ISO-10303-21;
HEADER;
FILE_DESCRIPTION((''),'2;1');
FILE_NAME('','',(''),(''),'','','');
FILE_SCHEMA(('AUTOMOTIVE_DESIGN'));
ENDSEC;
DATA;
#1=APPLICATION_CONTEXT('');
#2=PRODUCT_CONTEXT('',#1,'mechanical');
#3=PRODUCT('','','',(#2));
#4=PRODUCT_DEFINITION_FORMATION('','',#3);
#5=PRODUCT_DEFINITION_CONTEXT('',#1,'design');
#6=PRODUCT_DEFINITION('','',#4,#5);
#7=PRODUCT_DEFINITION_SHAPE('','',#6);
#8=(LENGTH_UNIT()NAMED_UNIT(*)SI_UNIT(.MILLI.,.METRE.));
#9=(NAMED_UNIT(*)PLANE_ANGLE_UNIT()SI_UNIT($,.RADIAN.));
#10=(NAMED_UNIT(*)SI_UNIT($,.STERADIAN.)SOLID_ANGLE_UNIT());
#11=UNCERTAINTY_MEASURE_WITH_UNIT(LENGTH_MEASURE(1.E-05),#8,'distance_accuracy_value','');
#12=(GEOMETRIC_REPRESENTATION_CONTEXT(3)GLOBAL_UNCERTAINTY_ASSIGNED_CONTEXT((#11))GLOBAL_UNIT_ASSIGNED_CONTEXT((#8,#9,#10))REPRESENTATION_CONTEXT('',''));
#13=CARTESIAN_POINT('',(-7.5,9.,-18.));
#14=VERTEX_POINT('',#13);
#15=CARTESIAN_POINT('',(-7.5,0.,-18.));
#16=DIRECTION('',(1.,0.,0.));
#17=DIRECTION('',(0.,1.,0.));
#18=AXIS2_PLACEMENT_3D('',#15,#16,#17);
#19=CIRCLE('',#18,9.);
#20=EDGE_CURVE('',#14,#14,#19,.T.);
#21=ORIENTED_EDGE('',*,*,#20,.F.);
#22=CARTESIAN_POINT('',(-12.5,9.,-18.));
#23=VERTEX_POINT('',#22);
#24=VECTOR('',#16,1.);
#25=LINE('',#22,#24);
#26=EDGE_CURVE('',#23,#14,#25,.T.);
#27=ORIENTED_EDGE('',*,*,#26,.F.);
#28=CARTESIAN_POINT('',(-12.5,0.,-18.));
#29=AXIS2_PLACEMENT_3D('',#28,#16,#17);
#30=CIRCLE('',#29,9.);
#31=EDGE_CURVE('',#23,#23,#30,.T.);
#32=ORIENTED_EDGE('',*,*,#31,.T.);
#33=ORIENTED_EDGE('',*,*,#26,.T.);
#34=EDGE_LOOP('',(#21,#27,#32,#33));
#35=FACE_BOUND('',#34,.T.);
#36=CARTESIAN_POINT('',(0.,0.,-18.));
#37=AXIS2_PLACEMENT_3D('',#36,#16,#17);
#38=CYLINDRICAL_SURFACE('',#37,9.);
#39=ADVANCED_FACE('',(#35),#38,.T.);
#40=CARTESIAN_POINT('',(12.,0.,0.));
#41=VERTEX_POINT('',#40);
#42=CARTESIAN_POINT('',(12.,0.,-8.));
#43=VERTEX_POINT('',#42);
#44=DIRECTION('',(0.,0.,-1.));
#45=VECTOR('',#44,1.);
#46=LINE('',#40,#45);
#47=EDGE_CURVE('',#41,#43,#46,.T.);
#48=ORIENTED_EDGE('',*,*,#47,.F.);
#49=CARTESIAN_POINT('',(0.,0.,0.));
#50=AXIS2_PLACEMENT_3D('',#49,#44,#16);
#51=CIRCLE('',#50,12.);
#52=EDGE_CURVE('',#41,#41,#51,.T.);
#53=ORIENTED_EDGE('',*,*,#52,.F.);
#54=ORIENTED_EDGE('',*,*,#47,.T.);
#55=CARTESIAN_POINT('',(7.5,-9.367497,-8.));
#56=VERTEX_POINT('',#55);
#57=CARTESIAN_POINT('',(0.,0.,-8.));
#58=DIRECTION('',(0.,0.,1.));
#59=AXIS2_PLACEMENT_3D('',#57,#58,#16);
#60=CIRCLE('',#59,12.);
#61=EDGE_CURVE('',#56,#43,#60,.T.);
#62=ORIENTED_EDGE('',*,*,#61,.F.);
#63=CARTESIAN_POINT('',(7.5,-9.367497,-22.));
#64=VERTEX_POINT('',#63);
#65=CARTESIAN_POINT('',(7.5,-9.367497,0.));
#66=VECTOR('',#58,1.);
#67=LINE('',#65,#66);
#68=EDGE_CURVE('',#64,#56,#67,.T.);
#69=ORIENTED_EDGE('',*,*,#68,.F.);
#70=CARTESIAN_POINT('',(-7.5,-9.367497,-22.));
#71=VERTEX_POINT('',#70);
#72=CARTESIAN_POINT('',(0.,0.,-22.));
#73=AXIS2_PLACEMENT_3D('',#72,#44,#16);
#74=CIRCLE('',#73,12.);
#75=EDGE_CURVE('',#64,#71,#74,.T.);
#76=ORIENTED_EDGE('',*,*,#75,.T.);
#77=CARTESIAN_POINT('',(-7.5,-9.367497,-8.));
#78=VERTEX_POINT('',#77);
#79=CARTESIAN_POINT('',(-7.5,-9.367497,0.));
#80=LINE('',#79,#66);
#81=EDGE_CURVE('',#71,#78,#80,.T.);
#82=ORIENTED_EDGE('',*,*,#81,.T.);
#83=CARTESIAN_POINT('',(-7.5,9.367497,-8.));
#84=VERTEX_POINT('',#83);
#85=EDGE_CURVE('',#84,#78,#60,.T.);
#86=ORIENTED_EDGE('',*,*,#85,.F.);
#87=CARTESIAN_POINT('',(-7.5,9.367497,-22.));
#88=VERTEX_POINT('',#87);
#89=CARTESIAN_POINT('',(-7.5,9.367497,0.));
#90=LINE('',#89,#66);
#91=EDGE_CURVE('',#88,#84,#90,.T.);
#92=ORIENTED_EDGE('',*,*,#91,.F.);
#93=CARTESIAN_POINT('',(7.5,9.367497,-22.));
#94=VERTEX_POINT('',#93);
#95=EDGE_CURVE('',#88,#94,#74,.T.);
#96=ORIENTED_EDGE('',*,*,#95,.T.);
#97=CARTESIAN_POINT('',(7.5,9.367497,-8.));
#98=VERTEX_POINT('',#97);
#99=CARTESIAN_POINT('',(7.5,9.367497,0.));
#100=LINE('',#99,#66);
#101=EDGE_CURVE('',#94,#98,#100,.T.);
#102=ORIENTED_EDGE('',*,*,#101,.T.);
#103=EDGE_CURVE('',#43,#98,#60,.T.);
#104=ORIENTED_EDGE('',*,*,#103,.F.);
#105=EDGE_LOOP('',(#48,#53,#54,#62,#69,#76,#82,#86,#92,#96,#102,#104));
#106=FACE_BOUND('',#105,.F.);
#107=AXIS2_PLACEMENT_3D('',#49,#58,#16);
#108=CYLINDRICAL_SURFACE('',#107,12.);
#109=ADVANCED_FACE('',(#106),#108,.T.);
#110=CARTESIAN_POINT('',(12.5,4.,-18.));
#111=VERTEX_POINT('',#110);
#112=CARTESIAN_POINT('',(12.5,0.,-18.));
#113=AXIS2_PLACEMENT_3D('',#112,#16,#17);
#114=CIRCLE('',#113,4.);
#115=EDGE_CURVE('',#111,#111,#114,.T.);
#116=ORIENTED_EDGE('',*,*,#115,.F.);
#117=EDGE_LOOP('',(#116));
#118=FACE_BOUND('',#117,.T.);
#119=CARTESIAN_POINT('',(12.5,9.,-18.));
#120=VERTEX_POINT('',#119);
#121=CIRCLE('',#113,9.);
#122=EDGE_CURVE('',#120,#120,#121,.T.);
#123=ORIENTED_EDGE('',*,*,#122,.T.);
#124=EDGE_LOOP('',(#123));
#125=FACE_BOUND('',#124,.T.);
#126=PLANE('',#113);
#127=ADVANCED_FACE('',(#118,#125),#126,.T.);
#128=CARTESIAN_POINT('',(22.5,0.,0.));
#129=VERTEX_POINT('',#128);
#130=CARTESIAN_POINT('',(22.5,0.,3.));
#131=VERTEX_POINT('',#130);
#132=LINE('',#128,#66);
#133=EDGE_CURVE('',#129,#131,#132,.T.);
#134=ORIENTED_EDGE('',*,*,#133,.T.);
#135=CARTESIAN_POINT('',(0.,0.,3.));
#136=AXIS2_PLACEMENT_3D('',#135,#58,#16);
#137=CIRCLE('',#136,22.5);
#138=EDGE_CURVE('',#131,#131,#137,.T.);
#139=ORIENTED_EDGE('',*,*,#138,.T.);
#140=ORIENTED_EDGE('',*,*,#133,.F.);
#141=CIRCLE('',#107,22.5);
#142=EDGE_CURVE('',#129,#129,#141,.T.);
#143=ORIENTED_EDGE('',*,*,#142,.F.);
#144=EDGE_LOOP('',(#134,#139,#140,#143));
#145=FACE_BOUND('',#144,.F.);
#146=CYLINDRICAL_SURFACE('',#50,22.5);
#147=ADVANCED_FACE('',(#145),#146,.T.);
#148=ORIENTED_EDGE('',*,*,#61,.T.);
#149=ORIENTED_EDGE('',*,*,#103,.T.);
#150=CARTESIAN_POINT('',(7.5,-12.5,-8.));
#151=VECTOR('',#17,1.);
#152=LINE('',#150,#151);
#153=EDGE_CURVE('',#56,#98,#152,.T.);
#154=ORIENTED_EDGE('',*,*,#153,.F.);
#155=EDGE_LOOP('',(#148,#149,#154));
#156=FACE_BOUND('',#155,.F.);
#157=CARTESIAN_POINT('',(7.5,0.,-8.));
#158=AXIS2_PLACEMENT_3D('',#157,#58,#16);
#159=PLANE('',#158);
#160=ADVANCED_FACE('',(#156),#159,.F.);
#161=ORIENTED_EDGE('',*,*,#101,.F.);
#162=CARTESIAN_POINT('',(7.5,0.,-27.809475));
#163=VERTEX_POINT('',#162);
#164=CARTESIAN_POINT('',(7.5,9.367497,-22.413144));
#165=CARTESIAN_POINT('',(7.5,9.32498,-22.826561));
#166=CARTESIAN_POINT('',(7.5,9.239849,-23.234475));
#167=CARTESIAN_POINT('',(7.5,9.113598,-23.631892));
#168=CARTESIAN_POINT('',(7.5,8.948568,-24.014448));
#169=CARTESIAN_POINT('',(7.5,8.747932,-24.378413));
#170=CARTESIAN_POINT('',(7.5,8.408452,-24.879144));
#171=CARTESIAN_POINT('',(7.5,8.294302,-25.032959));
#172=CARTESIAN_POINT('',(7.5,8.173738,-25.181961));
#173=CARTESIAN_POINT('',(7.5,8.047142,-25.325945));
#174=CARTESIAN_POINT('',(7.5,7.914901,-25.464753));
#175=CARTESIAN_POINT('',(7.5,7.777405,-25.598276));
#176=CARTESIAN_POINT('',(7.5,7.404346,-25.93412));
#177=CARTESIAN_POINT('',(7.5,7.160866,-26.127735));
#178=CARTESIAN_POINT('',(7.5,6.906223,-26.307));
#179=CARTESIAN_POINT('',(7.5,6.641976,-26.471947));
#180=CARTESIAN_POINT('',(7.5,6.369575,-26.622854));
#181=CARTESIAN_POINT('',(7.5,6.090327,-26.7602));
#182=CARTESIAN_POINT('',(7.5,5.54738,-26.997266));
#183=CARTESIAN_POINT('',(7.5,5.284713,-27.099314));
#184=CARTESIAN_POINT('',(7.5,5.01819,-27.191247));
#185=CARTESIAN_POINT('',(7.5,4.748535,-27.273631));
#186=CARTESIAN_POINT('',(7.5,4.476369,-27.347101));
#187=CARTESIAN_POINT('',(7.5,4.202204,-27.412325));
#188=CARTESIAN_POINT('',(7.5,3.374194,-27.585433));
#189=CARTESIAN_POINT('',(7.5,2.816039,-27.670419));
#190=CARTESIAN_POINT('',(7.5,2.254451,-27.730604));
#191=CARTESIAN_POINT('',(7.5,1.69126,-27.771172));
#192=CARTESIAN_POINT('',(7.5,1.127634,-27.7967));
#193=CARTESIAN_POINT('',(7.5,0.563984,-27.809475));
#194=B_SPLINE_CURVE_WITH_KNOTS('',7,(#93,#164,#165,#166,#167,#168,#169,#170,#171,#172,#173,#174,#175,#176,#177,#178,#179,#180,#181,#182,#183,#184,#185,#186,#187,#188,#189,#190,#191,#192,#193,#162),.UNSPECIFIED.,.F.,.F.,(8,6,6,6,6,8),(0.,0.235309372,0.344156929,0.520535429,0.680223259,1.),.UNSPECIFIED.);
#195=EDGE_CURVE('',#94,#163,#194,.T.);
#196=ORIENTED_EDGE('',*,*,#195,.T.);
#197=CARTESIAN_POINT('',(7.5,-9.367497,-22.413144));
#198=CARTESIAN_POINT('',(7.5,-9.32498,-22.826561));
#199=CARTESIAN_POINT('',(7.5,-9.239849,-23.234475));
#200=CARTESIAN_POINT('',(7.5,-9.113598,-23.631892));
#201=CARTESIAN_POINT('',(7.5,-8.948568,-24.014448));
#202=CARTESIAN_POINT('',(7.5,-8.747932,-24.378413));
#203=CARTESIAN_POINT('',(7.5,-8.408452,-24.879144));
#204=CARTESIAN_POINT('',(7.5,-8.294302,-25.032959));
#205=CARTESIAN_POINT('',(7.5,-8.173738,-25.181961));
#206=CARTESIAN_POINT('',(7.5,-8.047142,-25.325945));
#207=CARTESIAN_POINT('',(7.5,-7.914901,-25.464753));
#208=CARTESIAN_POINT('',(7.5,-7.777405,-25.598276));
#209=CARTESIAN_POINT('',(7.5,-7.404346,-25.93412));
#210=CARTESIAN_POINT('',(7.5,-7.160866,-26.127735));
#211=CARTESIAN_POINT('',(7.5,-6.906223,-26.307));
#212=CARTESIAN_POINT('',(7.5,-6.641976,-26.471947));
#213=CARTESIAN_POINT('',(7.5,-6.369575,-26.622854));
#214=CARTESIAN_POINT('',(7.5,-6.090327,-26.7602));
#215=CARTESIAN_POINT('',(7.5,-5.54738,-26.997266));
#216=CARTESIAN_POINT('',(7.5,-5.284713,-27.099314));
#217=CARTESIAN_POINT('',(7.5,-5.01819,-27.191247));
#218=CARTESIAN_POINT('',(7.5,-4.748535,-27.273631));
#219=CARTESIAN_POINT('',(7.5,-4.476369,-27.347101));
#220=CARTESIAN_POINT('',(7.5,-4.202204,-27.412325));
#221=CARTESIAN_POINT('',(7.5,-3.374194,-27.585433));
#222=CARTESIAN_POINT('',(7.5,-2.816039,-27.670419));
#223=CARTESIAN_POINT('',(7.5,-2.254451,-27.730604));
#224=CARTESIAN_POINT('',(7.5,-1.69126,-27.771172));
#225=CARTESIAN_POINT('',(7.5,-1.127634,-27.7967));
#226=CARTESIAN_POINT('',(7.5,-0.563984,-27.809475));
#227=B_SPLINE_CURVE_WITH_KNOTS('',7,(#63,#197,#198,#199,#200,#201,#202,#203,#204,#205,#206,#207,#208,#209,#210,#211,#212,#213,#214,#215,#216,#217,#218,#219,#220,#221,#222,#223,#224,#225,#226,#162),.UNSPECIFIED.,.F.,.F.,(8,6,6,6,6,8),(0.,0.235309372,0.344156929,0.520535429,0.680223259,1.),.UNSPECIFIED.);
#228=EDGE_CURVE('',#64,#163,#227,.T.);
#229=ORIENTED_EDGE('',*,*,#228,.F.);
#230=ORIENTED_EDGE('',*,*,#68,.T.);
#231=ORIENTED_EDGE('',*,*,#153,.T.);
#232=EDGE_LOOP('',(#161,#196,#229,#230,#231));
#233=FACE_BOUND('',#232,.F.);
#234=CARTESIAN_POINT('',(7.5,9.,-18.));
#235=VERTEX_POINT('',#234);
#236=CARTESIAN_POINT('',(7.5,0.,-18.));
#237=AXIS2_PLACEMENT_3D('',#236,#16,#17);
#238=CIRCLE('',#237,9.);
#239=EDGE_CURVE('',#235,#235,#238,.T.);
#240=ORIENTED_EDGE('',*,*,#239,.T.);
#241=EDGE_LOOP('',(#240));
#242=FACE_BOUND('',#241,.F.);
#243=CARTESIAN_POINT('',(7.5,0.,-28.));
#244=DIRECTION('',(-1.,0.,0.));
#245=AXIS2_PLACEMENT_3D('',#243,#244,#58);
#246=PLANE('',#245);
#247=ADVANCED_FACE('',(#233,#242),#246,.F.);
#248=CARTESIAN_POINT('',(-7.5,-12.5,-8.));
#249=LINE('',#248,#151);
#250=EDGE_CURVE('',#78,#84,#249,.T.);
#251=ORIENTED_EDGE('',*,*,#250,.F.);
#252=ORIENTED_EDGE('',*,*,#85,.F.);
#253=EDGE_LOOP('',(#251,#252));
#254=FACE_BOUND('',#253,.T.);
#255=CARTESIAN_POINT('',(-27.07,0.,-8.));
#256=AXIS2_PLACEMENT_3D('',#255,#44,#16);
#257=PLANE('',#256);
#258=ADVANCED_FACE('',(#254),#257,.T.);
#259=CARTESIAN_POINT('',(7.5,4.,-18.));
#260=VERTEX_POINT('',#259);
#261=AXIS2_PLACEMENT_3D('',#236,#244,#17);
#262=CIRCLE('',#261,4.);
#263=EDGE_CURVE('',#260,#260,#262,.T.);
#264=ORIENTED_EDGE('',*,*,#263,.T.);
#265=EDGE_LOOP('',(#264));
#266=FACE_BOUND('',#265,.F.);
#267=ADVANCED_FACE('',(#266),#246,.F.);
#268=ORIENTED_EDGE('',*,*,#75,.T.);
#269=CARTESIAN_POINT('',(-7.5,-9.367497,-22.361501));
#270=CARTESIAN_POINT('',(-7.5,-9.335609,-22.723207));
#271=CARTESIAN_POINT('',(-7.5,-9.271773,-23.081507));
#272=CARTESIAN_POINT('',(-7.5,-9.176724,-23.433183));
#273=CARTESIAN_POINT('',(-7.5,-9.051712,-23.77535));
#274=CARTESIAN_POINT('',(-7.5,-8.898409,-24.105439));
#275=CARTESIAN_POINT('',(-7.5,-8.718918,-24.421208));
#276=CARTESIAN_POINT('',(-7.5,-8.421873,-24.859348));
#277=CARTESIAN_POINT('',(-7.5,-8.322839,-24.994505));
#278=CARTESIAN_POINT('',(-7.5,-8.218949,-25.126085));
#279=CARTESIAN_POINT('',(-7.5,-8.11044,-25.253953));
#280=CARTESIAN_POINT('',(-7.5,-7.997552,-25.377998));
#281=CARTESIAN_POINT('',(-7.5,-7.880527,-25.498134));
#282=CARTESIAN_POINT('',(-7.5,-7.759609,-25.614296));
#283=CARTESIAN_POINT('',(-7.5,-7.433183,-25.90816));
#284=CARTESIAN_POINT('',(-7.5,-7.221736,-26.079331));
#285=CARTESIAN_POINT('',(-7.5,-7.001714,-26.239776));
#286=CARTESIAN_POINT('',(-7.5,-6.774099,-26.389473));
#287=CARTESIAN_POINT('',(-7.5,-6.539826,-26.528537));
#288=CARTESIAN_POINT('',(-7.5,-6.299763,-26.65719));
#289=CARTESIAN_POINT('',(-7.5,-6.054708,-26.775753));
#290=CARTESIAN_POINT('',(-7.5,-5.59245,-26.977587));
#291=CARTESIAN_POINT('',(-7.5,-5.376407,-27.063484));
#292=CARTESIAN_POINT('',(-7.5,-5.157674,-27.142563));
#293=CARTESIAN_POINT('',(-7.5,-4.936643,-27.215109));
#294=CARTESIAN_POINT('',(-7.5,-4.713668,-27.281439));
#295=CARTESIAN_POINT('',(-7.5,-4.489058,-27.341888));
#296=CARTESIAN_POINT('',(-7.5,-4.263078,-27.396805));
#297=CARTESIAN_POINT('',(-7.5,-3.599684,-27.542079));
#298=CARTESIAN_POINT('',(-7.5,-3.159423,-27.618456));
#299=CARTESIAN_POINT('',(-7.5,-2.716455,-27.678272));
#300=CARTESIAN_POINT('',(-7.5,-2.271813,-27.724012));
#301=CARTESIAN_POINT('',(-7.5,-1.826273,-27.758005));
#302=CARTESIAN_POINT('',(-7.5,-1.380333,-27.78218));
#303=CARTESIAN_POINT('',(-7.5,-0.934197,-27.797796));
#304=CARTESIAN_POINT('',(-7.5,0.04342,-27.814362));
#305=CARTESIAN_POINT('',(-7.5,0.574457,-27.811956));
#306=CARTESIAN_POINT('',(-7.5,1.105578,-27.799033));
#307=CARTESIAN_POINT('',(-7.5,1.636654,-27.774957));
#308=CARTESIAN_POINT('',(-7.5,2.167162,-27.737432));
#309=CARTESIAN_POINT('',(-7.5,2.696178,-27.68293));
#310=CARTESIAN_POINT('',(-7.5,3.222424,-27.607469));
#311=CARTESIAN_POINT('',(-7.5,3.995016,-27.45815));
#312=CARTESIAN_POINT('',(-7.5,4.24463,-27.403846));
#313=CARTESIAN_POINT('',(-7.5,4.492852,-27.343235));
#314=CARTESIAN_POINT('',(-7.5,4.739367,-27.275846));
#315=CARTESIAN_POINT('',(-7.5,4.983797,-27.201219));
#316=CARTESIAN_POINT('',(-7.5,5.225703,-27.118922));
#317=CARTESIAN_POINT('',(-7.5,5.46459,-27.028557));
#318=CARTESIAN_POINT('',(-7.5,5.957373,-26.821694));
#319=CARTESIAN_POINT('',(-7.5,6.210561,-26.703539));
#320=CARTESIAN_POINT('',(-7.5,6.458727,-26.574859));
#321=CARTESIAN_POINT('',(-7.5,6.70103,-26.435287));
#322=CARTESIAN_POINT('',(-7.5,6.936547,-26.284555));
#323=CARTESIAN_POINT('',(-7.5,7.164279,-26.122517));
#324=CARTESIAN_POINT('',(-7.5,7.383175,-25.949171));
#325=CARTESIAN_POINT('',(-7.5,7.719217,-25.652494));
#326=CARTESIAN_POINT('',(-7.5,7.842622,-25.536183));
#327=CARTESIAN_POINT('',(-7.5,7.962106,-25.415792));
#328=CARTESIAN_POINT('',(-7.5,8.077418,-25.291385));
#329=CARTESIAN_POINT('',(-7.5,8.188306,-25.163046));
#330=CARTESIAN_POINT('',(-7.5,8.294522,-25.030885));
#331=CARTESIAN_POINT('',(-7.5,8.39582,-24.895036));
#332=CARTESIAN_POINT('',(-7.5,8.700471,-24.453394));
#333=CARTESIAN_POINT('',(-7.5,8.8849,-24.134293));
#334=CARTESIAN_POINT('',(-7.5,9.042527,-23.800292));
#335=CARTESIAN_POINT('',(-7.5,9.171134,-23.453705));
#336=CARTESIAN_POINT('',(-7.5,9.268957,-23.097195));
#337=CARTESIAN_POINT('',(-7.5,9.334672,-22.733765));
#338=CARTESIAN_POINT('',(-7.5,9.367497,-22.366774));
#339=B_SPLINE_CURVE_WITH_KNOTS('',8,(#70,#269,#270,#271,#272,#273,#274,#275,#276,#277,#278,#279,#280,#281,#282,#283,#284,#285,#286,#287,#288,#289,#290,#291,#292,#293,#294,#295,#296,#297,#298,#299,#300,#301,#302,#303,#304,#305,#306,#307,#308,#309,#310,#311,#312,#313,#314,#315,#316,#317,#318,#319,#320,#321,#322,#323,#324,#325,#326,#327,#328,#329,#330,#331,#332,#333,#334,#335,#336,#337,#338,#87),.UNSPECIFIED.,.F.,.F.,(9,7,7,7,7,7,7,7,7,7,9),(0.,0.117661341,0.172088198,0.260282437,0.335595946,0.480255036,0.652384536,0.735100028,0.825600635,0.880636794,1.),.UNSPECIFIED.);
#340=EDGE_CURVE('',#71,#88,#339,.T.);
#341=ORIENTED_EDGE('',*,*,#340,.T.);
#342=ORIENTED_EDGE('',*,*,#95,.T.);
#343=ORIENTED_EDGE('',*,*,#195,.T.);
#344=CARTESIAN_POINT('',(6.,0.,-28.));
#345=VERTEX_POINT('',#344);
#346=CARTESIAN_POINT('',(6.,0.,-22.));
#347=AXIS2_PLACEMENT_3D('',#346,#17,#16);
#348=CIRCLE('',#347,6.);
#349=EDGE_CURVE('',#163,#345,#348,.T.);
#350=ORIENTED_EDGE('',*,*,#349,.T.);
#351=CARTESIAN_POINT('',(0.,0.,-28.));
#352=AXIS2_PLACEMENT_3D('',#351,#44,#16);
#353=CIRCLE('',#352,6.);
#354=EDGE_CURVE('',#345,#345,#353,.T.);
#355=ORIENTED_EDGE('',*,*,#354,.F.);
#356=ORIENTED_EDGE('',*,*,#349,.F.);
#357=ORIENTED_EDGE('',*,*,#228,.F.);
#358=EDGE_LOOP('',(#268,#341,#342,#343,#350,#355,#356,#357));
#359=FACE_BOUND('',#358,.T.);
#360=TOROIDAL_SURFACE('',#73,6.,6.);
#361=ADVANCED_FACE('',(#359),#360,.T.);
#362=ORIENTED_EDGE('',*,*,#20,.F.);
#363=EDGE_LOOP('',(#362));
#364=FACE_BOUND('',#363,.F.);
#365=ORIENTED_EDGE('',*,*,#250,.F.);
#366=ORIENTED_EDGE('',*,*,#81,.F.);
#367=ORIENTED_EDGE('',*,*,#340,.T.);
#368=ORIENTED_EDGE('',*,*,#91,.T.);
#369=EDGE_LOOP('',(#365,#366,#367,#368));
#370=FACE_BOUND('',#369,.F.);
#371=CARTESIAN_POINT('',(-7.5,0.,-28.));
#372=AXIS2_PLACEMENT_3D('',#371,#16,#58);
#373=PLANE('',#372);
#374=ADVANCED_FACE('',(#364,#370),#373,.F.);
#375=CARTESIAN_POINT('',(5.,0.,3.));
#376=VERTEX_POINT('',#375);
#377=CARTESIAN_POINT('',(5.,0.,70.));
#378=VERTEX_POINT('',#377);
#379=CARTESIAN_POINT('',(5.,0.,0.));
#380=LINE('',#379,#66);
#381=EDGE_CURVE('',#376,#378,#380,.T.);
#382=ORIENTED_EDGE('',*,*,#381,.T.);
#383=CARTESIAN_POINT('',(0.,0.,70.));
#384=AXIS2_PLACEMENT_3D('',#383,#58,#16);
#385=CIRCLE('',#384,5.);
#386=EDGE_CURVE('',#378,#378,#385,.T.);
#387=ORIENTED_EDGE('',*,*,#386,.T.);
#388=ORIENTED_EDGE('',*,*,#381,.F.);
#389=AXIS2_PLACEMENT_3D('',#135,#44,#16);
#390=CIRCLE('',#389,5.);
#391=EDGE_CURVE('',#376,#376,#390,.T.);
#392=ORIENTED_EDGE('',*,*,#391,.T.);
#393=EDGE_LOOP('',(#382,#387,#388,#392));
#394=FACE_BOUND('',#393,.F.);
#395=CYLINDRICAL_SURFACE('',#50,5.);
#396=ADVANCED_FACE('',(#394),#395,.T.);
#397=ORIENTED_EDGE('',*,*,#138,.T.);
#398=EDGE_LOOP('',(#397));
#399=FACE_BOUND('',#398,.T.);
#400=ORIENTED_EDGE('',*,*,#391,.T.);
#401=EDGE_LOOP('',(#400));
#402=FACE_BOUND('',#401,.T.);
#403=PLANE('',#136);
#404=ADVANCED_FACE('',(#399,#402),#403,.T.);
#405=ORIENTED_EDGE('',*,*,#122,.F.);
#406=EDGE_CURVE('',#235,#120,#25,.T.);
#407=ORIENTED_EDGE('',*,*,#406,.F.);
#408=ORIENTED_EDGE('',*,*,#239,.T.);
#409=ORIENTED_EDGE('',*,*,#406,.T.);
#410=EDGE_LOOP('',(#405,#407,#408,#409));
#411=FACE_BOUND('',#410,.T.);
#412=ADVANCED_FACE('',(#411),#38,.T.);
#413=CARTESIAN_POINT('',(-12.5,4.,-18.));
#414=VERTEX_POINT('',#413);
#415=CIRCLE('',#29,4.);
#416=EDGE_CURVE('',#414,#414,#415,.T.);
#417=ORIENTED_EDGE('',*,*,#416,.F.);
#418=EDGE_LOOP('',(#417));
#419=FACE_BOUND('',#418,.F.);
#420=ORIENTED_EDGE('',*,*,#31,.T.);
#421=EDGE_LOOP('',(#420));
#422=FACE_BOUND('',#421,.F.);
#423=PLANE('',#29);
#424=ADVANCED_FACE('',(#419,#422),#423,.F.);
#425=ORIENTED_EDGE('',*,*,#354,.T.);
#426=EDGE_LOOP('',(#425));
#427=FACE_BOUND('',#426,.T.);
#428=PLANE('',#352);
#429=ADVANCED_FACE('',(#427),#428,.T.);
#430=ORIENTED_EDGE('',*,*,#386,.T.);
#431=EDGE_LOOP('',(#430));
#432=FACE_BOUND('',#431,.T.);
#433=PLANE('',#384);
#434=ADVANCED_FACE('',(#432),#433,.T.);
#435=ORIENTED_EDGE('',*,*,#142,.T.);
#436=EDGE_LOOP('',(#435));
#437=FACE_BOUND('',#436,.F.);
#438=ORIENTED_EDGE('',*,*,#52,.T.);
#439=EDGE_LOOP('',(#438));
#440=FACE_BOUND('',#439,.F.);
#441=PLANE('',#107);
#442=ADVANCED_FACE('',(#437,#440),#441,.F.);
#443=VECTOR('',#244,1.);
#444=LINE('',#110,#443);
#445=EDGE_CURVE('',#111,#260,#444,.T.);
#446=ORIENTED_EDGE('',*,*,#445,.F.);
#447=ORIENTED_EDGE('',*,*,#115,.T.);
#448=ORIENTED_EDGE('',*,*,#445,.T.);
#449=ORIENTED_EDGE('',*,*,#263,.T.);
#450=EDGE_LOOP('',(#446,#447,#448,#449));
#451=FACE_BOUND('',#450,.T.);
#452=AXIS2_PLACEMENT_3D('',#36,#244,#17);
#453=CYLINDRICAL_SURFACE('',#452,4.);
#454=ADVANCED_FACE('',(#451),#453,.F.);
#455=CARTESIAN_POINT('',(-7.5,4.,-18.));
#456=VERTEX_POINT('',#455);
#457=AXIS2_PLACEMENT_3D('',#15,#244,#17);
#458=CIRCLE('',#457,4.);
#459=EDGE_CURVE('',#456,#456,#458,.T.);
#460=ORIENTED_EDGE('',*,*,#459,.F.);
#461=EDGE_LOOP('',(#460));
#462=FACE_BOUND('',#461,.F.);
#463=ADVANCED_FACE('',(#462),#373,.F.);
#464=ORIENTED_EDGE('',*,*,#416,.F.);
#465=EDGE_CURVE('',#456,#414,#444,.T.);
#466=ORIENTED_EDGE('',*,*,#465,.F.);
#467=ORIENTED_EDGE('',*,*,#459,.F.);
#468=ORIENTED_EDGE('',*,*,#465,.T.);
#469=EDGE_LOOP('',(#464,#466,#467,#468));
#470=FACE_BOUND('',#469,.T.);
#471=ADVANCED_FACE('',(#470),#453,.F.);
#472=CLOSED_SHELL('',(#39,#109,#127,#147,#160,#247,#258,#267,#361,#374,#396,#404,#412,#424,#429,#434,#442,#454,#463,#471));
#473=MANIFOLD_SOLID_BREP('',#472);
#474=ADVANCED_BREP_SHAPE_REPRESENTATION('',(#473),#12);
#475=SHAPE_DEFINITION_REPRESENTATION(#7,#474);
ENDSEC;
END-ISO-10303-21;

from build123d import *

# Parameters (mm, degrees)
F0_R      = 22.5
F1_DEPTH  = 3
F2_R      = 5
F3_DEPTH  = 70
F4_R      = 12
F5_DEPTH  = 28
F6_R      = 6
F7_W      = 19.57
F7_H      = 20
F8_DEPTH  = 12.5
F9_R      = 9
F9_R_2    = 4
F10_DEPTH = 12.5


with BuildPart() as f1:
    # F0 (on Top) → F1 (new body)
    with BuildSketch(Plane.XY):
        Circle(F0_R)
    extrude(amount=F1_DEPTH)

    # F2 (on Top) → F3 (join)
    with BuildSketch(Plane.XY):
        Circle(F2_R)
    extrude(amount=F3_DEPTH)

    # F4 (on face) → F5 (join)
    with BuildSketch(Plane(origin=(0, 0, 0), x_dir=(1, 0, 0), z_dir=(0, 0, -1))):
        Circle(F4_R)
    extrude(amount=F5_DEPTH)

    # F6
    f6_edges = [f1.edges().sort_by_distance(p)[0] for p in [
        (-12, 0, -28),
    ]]
    fillet(f6_edges, radius=F6_R)

    # F7 (on Front) → F8 (cut, symmetric)
    with BuildSketch(Plane.XZ):
        with Locations((17.285, -18)):
            Rectangle(F7_W, F7_H)
        with Locations((-17.285, -18)):
            Rectangle(F7_W, F7_H)
    extrude(amount=F8_DEPTH, both=True, mode=Mode.SUBTRACT)

    # F9 (on Right) → F10 (join, symmetric)
    with BuildSketch(Plane.YZ):
        with Locations((0, -18)):
            Circle(F9_R)
        with Locations((0, -18)):
            Circle(F9_R_2, mode=Mode.SUBTRACT)
    extrude(amount=F10_DEPTH, both=True)


solid = f1.part
